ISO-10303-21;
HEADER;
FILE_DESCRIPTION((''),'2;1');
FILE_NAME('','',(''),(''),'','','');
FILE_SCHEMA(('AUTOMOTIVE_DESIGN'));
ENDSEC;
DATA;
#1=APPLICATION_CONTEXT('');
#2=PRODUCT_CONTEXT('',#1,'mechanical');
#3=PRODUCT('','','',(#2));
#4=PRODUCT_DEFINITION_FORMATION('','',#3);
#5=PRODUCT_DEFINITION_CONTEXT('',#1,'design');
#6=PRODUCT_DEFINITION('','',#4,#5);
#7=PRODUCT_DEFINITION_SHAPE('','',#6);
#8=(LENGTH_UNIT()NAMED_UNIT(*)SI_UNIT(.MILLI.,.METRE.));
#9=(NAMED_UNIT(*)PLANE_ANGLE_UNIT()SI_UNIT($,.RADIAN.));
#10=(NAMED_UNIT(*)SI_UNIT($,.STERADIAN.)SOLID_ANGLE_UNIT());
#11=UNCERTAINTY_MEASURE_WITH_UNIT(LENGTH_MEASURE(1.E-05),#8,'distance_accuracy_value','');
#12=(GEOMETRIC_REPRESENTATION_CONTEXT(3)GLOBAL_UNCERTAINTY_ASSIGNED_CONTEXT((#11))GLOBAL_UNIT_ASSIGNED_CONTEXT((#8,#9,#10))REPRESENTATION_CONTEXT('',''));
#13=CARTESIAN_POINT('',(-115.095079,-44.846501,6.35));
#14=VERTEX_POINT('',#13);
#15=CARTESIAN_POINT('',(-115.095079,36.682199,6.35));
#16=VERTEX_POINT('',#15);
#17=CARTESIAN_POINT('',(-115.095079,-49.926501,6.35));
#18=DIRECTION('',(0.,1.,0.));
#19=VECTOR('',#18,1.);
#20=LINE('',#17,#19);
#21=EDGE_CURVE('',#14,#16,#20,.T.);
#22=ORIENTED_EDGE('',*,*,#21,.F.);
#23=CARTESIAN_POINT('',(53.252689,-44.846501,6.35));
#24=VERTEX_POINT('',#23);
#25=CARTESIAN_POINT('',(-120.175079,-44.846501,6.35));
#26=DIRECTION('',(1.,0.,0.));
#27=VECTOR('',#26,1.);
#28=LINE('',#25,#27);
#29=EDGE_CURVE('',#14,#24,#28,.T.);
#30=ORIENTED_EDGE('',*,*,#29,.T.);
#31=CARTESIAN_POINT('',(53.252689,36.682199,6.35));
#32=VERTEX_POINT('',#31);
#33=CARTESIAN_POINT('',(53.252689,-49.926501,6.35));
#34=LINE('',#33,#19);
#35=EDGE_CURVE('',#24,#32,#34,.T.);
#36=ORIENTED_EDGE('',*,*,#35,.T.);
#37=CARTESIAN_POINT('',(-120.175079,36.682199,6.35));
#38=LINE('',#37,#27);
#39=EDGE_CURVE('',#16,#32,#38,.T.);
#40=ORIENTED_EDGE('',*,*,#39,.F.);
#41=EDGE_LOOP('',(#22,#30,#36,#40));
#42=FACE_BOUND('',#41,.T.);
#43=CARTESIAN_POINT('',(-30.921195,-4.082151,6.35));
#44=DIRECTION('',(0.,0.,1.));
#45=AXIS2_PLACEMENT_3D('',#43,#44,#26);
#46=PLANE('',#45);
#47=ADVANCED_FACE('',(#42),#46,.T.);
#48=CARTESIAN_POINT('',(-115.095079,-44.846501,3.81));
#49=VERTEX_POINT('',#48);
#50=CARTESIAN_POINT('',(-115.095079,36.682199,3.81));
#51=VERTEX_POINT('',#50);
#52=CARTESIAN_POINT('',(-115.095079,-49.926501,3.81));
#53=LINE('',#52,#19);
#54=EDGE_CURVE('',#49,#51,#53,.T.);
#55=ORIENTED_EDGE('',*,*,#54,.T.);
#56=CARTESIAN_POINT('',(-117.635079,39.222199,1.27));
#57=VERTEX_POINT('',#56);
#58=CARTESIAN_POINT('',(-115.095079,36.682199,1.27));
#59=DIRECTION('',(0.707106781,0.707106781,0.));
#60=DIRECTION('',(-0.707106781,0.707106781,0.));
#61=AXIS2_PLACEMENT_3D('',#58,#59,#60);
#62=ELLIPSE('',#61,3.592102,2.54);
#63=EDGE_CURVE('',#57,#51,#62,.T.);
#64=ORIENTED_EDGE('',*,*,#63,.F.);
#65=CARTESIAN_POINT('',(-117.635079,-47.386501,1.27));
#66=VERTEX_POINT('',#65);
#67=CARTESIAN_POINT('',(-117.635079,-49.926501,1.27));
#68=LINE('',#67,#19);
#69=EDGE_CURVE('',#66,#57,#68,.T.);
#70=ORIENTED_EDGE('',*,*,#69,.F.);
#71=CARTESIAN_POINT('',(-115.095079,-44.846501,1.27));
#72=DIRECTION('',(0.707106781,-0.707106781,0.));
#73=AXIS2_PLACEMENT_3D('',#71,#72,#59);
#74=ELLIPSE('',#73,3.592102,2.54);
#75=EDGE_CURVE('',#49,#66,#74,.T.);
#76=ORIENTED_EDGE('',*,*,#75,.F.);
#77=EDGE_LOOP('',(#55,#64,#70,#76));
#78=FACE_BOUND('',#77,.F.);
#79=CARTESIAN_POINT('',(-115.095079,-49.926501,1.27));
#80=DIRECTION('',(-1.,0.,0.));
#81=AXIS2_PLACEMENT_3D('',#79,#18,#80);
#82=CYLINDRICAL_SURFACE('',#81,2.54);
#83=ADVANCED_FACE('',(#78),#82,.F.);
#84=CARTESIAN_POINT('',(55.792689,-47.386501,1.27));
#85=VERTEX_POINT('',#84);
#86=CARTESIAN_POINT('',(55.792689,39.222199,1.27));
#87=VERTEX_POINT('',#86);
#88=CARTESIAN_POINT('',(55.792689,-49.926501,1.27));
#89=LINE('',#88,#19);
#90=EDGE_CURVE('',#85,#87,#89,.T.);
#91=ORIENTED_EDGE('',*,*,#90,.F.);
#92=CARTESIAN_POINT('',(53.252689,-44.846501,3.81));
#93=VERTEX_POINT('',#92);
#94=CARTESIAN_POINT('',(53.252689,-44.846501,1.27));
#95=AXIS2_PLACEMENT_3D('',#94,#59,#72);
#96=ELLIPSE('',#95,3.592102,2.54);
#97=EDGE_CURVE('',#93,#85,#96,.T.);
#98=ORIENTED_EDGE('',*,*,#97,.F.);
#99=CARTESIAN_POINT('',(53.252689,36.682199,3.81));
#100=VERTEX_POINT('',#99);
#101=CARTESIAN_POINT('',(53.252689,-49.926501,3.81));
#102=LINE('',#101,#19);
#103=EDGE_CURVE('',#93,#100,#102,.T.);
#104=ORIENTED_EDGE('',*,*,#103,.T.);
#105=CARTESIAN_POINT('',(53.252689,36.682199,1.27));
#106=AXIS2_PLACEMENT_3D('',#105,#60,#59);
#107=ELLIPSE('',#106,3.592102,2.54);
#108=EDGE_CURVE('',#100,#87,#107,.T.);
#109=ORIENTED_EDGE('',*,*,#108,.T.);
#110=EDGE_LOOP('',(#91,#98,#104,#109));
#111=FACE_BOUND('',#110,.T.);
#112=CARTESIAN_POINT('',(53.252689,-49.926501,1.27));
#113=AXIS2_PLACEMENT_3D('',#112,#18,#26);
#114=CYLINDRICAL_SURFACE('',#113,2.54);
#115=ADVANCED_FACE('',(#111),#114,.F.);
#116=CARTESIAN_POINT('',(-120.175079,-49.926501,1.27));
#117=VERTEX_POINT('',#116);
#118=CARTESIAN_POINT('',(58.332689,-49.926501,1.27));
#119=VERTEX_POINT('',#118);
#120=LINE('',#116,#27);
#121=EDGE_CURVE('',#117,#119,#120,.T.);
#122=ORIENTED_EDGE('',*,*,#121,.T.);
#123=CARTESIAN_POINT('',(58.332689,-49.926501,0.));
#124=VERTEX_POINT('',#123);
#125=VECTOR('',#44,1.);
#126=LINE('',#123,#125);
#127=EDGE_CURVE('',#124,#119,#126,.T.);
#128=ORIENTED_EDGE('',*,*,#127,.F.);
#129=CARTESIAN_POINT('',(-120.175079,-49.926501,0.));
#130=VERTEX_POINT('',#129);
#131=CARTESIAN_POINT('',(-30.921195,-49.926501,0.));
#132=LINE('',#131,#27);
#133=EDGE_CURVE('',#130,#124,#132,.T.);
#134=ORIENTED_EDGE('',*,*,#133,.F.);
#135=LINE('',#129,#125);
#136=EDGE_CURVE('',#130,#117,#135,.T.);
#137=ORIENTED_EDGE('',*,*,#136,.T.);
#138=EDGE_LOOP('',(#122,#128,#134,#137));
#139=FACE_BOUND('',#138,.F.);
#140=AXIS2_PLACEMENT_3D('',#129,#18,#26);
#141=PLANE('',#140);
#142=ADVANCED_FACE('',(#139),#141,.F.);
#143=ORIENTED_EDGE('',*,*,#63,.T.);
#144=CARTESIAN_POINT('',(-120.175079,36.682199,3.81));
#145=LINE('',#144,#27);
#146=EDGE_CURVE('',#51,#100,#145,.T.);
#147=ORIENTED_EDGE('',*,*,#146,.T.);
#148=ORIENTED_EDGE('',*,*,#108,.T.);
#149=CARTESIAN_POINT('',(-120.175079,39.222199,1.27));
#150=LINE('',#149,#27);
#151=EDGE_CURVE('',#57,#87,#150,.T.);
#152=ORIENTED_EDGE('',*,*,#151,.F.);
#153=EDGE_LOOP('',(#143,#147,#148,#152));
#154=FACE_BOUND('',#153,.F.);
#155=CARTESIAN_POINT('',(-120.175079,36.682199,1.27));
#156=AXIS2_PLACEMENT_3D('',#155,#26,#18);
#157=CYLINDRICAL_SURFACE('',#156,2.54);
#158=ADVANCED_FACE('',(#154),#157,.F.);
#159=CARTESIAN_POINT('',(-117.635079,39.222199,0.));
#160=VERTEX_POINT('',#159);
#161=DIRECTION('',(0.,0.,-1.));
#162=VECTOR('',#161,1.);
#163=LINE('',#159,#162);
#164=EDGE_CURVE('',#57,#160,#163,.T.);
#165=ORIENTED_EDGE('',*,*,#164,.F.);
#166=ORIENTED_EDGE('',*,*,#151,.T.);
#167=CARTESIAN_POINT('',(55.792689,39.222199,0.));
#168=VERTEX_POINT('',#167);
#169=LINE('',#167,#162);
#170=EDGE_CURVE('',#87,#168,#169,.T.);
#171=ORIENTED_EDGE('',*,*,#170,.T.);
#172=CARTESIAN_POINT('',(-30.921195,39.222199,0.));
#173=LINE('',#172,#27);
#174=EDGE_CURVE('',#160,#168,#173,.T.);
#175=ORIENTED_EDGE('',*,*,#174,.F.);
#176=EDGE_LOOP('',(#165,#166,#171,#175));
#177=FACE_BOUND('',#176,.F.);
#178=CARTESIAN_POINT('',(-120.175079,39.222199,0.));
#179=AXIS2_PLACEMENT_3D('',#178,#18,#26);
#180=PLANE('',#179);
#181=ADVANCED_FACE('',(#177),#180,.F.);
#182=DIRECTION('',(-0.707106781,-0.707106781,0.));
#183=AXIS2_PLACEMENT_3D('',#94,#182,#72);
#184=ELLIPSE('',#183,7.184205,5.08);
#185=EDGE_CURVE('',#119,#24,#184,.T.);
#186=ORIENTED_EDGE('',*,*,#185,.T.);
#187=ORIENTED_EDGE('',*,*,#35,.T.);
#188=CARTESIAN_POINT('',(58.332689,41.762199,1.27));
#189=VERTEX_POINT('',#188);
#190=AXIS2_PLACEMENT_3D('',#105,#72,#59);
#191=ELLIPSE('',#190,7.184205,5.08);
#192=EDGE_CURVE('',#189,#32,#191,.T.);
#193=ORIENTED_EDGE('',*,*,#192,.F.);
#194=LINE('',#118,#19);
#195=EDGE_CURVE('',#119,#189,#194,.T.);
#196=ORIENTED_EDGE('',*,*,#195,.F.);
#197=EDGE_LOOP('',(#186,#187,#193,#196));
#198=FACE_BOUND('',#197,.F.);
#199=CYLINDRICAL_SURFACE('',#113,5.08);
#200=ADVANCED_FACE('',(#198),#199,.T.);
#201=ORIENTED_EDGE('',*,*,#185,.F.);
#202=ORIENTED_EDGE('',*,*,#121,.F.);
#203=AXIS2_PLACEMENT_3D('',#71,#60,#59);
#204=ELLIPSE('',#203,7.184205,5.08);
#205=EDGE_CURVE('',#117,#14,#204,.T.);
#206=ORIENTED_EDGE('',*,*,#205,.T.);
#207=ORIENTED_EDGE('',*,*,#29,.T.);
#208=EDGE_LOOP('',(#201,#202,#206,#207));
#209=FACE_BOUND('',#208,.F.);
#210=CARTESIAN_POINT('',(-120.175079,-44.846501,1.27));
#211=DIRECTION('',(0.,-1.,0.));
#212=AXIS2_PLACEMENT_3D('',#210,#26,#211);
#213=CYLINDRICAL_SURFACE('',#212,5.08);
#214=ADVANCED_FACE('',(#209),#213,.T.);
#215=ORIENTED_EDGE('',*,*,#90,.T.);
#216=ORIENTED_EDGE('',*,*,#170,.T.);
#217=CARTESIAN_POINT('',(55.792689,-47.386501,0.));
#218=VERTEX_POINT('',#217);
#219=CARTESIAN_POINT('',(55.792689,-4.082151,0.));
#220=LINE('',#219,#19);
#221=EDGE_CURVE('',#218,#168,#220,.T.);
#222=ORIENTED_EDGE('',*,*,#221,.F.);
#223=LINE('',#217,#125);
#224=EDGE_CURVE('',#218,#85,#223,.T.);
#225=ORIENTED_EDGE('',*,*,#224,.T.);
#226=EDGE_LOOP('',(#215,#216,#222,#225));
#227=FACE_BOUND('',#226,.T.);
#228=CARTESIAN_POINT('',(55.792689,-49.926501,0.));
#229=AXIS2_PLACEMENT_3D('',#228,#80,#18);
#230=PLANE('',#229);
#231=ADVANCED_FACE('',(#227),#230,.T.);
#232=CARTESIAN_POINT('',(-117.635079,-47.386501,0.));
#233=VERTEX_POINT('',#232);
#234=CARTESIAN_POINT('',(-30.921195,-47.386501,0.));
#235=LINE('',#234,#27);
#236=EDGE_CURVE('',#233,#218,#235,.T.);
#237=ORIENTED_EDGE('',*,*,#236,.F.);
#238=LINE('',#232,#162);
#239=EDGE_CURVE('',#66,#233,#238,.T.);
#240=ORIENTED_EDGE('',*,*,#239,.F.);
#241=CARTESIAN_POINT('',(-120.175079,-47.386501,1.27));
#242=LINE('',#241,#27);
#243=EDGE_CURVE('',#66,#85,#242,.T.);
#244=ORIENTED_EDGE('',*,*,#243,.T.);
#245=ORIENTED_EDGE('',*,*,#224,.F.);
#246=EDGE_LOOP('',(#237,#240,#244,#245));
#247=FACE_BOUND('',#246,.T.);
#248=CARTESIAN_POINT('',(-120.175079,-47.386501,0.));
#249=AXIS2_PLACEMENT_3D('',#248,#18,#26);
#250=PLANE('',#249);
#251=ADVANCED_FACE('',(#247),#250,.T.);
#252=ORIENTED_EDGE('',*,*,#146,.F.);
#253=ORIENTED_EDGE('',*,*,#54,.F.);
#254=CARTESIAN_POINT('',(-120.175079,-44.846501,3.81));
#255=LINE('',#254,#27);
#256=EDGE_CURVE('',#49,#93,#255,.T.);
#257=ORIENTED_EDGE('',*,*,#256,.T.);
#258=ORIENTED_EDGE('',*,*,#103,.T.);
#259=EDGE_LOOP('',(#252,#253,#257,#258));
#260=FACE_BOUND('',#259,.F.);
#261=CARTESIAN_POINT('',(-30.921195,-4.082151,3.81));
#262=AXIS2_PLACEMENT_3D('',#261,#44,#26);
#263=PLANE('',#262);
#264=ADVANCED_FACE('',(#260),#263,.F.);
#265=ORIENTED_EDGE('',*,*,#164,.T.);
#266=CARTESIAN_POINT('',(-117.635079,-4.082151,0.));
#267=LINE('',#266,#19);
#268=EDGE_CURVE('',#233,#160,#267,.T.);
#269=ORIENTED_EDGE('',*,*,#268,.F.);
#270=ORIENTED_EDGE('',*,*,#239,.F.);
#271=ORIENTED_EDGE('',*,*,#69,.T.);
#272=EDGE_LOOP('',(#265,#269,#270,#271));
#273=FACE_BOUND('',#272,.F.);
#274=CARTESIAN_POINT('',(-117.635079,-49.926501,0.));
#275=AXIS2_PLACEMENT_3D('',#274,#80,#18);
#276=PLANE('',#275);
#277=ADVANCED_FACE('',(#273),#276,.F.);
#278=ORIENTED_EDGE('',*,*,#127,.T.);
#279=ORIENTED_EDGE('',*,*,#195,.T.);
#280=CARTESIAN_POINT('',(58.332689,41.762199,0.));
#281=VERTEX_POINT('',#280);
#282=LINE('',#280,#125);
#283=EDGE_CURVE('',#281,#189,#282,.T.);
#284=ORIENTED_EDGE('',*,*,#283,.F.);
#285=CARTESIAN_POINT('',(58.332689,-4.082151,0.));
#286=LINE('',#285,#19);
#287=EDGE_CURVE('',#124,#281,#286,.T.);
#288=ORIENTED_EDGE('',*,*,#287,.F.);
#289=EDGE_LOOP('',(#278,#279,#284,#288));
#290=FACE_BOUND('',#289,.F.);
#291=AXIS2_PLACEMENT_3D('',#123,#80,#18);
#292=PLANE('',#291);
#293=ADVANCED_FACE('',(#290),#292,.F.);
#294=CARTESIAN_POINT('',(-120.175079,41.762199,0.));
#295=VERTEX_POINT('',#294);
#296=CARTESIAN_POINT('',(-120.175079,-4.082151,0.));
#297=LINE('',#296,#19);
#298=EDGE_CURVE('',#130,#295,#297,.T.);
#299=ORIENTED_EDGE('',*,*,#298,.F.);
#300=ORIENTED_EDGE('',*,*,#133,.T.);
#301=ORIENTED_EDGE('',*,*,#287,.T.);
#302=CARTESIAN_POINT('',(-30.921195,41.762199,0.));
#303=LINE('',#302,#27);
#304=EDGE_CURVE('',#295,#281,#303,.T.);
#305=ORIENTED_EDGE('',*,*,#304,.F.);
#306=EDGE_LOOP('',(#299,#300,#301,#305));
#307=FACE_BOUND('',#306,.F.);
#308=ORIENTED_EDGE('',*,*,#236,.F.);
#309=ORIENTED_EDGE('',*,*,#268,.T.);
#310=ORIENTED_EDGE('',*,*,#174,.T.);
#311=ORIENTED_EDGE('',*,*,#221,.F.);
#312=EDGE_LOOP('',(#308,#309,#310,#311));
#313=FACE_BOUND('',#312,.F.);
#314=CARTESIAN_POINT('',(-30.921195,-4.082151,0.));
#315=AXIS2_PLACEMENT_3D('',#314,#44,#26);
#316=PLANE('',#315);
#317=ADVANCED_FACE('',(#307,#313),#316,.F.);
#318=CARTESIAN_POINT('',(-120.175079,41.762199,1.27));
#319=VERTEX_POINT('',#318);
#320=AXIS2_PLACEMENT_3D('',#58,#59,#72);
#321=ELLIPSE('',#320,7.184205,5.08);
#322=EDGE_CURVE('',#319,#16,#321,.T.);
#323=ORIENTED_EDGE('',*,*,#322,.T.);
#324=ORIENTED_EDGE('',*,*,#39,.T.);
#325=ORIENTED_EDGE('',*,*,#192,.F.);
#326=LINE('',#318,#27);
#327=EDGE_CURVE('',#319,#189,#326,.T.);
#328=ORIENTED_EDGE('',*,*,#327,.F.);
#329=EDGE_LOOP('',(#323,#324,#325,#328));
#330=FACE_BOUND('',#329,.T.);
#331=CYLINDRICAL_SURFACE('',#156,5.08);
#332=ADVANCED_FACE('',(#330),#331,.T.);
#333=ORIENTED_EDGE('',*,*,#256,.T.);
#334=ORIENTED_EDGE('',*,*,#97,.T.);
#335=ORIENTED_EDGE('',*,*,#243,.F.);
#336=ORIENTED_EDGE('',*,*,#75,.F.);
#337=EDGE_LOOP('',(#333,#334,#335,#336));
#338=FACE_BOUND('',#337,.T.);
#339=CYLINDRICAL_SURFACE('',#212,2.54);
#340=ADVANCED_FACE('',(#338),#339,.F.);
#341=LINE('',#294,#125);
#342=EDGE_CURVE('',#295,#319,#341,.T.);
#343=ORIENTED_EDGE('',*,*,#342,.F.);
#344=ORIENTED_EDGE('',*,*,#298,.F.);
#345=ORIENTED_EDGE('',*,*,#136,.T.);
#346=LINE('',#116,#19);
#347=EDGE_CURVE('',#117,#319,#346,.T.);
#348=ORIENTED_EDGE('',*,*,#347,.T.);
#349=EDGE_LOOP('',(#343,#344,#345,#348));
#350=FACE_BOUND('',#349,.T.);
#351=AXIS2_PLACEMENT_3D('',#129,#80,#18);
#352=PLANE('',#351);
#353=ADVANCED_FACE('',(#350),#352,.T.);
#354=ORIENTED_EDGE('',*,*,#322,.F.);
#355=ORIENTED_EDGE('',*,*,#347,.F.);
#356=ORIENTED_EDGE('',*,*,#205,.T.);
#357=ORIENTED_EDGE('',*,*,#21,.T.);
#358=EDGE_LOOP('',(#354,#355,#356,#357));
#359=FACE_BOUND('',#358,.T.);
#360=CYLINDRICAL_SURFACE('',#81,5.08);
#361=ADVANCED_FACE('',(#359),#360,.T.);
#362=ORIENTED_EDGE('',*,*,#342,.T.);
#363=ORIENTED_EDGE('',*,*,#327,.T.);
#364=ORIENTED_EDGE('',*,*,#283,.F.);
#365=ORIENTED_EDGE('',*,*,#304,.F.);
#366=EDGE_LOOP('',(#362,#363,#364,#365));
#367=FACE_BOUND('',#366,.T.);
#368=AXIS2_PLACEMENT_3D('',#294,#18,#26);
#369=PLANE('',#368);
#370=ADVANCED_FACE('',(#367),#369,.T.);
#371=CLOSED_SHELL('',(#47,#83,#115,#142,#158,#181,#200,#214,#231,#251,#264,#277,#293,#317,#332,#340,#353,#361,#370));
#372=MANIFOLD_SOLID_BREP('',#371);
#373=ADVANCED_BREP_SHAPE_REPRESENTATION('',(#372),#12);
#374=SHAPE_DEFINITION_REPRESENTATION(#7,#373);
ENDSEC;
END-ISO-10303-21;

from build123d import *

# Parameters (mm, degrees)
F0_W     = 178.507768
F0_H     = 91.6887
F1_DEPTH = 6.35
F2_R     = 5.08
F3_T     = -2.54


with BuildPart() as f1:
    # F0 (on Top) → F1 (new body)
    with BuildSketch(Plane.XY):
        with Locations((-30.921195, -4.082151)):
            Rectangle(F0_W, F0_H)
    extrude(amount=F1_DEPTH)

    # F2
    f2_edges = [f1.edges().sort_by_distance(p)[0] for p in [
        (-30.921195, -49.926501, 6.35),
        (-30.921195, 41.762199, 6.35),
        (-120.175079, -4.082151, 6.35),
        (58.332689, -4.082151, 6.35),
    ]]
    fillet(f2_edges, radius=F2_R)

    # F3
    f3_openings = [f1.faces().sort_by_distance(p)[0] for p in [
        (-30.921195, -4.082151, 0),
    ]]
    offset(amount=F3_T, openings=f3_openings)


solid = f1.part
